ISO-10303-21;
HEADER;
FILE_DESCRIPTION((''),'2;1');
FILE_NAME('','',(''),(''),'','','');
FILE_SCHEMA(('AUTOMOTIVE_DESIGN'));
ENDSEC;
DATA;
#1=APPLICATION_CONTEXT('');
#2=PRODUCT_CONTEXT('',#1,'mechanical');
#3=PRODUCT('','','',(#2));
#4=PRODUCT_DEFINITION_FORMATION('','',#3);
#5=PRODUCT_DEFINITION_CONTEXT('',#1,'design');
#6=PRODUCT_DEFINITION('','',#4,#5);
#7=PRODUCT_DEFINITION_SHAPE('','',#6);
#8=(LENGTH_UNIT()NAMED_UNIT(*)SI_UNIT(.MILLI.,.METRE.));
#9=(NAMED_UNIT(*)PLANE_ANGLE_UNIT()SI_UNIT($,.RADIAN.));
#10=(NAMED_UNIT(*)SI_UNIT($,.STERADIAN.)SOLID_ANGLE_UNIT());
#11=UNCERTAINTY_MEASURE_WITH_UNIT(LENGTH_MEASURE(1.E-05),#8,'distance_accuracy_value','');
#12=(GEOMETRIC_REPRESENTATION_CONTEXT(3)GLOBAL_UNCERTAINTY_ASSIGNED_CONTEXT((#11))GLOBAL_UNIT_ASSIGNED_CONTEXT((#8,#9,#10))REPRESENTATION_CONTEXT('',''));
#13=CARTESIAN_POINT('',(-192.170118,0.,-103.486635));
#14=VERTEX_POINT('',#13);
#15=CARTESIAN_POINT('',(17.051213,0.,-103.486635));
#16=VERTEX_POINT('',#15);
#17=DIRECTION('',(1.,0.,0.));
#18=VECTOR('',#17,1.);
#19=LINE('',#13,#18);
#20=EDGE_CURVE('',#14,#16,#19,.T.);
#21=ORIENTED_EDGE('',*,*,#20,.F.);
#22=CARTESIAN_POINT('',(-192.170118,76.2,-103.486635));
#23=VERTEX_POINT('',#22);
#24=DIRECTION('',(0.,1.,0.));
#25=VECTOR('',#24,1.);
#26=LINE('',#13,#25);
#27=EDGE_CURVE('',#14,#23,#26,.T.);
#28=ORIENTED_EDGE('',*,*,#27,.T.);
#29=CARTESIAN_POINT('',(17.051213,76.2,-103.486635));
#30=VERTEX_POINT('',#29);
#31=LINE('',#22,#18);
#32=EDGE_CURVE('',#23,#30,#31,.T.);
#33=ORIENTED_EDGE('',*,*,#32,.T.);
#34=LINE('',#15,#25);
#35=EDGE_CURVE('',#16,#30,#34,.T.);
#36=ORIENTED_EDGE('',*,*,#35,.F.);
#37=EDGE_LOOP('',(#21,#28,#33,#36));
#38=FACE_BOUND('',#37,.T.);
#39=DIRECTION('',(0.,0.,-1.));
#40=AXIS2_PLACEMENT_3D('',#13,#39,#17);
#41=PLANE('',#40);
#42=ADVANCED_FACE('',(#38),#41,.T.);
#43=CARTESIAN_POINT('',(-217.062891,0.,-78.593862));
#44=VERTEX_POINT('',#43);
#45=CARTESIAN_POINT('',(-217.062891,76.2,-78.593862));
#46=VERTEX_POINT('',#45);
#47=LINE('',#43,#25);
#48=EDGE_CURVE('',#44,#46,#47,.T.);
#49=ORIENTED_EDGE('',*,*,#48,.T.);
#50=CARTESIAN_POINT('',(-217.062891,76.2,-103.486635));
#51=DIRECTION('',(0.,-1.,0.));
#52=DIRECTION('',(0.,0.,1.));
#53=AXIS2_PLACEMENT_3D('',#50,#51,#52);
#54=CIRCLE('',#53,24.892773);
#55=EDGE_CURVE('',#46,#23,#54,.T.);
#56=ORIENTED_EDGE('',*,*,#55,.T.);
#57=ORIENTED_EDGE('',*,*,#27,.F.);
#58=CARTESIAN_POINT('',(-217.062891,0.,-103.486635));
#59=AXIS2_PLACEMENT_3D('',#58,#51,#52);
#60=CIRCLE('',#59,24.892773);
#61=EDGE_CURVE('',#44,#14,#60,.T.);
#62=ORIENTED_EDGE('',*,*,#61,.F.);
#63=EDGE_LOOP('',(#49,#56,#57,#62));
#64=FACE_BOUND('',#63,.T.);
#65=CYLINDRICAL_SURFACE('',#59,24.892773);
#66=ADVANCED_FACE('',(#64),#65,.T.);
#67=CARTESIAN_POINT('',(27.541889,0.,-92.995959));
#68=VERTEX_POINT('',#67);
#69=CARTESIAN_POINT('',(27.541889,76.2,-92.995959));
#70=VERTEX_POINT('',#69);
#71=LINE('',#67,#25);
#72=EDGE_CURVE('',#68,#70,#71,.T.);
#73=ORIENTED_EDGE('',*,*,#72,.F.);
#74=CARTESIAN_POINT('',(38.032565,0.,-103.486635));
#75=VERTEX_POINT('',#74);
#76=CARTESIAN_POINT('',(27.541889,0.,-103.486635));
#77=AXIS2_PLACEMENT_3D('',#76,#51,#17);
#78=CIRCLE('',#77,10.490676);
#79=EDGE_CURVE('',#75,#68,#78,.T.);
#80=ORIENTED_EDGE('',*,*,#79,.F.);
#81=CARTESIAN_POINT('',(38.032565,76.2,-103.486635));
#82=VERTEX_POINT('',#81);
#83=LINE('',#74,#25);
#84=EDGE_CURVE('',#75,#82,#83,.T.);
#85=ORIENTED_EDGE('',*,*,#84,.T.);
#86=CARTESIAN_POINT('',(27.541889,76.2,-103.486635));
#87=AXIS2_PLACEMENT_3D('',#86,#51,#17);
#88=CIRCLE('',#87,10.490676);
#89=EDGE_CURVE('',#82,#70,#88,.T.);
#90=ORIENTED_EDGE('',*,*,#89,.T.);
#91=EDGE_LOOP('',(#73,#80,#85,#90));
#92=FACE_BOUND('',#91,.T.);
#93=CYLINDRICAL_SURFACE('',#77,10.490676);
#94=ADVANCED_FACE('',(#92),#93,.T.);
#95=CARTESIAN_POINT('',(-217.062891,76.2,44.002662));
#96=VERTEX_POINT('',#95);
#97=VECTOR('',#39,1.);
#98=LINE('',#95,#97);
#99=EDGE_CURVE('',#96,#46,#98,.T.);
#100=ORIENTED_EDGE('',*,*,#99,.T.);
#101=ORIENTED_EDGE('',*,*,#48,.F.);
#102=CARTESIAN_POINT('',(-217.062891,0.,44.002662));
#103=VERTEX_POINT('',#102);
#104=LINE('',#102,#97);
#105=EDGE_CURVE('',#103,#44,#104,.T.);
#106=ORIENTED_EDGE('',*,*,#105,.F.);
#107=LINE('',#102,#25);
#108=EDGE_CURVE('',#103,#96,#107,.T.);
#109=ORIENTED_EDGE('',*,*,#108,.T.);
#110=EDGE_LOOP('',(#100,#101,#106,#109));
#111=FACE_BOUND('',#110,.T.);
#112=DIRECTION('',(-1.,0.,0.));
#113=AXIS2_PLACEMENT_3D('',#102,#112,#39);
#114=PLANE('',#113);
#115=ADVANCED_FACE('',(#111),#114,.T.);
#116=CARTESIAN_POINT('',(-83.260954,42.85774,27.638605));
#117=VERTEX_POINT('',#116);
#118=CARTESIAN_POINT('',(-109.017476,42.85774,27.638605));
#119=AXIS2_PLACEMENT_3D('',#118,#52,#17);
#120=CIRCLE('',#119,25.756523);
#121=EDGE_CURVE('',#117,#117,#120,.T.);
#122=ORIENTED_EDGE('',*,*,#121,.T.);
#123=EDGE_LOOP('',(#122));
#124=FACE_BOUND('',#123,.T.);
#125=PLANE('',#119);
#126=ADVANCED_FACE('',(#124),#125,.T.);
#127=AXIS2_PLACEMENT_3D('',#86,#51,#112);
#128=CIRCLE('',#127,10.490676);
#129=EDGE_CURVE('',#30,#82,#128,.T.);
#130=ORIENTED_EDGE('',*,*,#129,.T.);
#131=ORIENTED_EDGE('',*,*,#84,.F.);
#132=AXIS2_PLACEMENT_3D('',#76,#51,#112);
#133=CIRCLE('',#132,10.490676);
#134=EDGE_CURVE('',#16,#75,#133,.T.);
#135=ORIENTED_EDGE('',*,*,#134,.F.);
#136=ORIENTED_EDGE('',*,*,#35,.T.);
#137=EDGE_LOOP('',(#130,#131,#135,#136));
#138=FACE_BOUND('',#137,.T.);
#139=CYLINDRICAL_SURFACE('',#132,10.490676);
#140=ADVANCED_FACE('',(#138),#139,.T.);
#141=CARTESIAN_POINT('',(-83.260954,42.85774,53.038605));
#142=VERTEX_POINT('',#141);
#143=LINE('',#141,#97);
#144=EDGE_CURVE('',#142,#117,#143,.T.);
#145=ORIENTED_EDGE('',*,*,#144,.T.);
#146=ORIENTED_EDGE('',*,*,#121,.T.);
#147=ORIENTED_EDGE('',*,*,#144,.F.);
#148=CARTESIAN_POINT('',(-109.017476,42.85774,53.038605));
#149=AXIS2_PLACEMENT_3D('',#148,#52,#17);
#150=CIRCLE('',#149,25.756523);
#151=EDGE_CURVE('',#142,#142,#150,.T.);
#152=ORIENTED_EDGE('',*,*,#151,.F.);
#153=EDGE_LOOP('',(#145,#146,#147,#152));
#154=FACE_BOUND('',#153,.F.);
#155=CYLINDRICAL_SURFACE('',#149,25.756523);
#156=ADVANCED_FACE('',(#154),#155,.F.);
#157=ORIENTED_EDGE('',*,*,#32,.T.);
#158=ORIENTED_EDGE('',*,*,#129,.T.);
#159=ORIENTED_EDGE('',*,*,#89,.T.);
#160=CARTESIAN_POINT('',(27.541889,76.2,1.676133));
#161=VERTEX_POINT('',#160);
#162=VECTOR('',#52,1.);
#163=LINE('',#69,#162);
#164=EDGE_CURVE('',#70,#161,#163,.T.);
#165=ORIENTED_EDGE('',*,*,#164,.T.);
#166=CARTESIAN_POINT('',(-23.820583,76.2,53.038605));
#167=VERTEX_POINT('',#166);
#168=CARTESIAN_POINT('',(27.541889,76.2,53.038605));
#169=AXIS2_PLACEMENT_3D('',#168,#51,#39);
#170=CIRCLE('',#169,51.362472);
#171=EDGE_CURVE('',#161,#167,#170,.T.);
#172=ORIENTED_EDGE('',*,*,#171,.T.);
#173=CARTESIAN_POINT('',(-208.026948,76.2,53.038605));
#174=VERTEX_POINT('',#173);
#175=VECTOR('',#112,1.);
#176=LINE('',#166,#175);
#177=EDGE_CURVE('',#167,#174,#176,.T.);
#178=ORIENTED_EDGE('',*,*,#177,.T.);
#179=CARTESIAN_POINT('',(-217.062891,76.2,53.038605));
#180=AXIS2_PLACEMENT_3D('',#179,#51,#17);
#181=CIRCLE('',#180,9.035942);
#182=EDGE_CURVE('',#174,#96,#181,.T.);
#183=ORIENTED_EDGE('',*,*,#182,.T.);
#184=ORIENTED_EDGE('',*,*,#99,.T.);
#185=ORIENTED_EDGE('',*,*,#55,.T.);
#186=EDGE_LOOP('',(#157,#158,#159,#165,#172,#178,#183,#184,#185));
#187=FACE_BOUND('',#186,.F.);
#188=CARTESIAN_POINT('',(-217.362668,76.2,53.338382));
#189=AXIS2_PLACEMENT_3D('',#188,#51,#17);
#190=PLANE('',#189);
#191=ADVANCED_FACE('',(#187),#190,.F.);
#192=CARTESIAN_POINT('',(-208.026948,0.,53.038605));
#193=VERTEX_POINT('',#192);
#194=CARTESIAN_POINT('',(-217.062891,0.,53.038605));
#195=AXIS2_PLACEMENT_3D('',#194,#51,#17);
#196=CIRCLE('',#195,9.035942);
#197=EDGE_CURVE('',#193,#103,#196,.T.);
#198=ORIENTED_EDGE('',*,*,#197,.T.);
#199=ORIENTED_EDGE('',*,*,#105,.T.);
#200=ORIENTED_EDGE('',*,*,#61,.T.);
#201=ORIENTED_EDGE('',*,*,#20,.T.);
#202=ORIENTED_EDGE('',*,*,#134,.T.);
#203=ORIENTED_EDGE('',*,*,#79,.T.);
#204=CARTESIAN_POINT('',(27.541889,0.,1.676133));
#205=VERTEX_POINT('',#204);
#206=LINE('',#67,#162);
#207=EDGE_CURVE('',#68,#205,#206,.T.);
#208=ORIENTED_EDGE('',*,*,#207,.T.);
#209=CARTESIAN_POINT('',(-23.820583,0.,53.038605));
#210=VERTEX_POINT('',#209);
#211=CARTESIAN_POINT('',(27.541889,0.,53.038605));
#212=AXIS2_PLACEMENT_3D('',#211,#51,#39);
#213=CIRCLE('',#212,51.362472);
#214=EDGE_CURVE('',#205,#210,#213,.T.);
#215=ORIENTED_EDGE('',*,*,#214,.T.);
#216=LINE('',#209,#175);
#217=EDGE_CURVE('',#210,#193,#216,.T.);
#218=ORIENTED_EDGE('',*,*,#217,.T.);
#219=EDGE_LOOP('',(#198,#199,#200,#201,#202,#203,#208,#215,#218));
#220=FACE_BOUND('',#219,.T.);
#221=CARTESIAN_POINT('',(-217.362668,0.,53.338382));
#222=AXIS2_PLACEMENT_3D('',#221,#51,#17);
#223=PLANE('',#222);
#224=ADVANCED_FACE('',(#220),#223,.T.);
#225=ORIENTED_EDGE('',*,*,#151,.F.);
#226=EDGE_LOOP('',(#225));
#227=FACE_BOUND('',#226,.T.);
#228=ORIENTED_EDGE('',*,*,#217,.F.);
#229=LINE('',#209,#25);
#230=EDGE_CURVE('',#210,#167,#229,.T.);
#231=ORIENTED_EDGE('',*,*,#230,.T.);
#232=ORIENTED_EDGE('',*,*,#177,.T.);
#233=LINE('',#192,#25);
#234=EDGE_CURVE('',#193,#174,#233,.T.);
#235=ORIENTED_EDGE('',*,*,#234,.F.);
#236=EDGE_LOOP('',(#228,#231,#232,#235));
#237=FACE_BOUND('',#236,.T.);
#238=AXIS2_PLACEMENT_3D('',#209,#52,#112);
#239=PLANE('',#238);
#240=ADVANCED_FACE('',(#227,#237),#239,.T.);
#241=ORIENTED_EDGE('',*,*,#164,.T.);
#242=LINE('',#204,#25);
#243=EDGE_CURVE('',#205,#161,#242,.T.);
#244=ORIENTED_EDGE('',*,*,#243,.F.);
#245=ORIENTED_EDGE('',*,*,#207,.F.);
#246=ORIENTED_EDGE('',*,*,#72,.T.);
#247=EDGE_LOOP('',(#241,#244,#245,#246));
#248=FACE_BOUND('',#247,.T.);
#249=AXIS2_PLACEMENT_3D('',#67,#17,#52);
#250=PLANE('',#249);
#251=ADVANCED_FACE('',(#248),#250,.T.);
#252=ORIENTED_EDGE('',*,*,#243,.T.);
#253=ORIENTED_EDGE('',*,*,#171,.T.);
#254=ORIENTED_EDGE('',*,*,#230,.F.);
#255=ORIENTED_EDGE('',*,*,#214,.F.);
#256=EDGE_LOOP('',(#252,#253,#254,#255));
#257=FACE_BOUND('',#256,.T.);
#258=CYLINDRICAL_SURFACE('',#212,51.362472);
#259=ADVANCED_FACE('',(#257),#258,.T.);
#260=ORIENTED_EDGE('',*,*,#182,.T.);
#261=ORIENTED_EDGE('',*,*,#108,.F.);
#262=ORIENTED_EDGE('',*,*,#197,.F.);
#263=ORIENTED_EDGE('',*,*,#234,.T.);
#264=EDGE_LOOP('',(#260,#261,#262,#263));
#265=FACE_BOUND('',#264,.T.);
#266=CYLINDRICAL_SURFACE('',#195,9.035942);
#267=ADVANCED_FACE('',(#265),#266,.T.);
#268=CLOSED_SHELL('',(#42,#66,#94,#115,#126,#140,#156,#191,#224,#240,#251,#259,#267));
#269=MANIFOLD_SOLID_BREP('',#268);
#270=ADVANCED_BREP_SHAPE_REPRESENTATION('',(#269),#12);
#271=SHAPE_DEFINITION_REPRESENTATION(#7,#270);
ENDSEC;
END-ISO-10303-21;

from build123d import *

# Parameters (mm, degrees)
F1_DEPTH = 76.2
F2_R     = 25.7565229103
F3_DEPTH = 25.4


with BuildPart() as f1:
    # F0 (on Front) → F1 (new body)
    with BuildSketch(Plane.XZ):
        with BuildLine():
            Line((-217.0628905296, 44.0026623952), (-217.0628905296, 53.0386045575))
            Line((-217.0628905296, 53.0386045575), (-208.0269483673, 53.0386045575))
            ThreePointArc((-208.0269483673, 53.0386045575), (-223.452266507, 59.4279805349), (-217.0628905296, 44.0026623952))
        make_face()
        with BuildLine():
            ThreePointArc((78.9043606112, 53.0386045575), (27.5418888777, 104.401076291), (-23.8205828557, 53.0386045575))
            Line((-23.8205828557, 53.0386045575), (27.5418888777, 53.0386045575))
            Line((27.5418888777, 53.0386045575), (27.5418888777, 1.676132824))
            ThreePointArc((27.5418888777, 1.676132824), (63.860640939, 16.7198524963), (78.9043606112, 53.0386045575))
        make_face()
        with BuildLine():
            Line((-217.0628905296, -103.4866347909), (-217.0628905296, -78.593862027))
            ThreePointArc((-217.0628905296, -78.593862027), (-234.6647389535, -121.0884832148), (-192.1701177657, -103.4866347909))
            Line((-192.1701177657, -103.4866347909), (-217.0628905296, -103.4866347909))
        make_face()
        with BuildLine():
            ThreePointArc((38.0325649024, -103.4866347909), (34.959917034, -96.0686066346), (27.5418888777, -92.9959587662))
            Line((27.5418888777, -92.9959587662), (27.5418888777, -103.4866347909))
            Line((27.5418888777, -103.4866347909), (17.0512128531, -103.4866347909))
            ThreePointArc((17.0512128531, -103.4866347909), (27.5418888777, -113.9773108156), (38.0325649024, -103.4866347909))
        make_face()
        with BuildLine():
            Line((-208.0269483673, 53.0386045575), (-217.0628905296, 53.0386045575))
            Line((-217.0628905296, 53.0386045575), (-217.0628905296, 44.0026623952))
            ThreePointArc((-217.0628905296, 44.0026623952), (-210.6735145522, 46.6492285801), (-208.0269483673, 53.0386045575))
        make_face()
        with BuildLine():
            Line((27.5418888777, 53.0386045575), (-23.8205828557, 53.0386045575))
            ThreePointArc((-23.8205828557, 53.0386045575), (-8.7768631835, 16.7198524963), (27.5418888777, 1.676132824))
            Line((27.5418888777, 1.676132824), (27.5418888777, 53.0386045575))
        make_face()
        with BuildLine():
            ThreePointArc((-192.1701177657, -103.4866347909), (-199.4610421057, -85.884786367), (-217.0628905296, -78.593862027))
            Line((-217.0628905296, -78.593862027), (-217.0628905296, -103.4866347909))
            Line((-217.0628905296, -103.4866347909), (-192.1701177657, -103.4866347909))
        make_face()
        with BuildLine():
            Line((27.5418888777, -103.4866347909), (27.5418888777, -92.9959587662))
            ThreePointArc((27.5418888777, -92.9959587662), (20.1238607215, -96.0686066346), (17.0512128531, -103.4866347909))
            Line((17.0512128531, -103.4866347909), (27.5418888777, -103.4866347909))
        make_face()
        with BuildLine():
            Line((-23.8205828557, 53.0386045575), (-208.0269483673, 53.0386045575))
            ThreePointArc((-208.0269483673, 53.0386045575), (-210.6735145522, 46.6492285801), (-217.0628905296, 44.0026623952))
            Line((-217.0628905296, 44.0026623952), (-217.0628905296, -78.593862027))
            ThreePointArc((-217.0628905296, -78.593862027), (-199.4610421057, -85.884786367), (-192.1701177657, -103.4866347909))
            Line((-192.1701177657, -103.4866347909), (17.0512128531, -103.4866347909))
            ThreePointArc((17.0512128531, -103.4866347909), (20.1238607215, -96.0686066346), (27.5418888777, -92.9959587662))
            Line((27.5418888777, -92.9959587662), (27.5418888777, 1.676132824))
            ThreePointArc((27.5418888777, 1.676132824), (-8.7768631835, 16.7198524963), (-23.8205828557, 53.0386045575))
        make_face()
    extrude(amount=-F1_DEPTH)

    # F2 (on face) → F3 (cut)
    with BuildSketch(Plane.XY.offset(53.0386045575)):
        with Locations((-109.0174764395, 42.8577400744)):
            Circle(F2_R)
    extrude(amount=-F3_DEPTH, mode=Mode.SUBTRACT)


solid = f1.part
